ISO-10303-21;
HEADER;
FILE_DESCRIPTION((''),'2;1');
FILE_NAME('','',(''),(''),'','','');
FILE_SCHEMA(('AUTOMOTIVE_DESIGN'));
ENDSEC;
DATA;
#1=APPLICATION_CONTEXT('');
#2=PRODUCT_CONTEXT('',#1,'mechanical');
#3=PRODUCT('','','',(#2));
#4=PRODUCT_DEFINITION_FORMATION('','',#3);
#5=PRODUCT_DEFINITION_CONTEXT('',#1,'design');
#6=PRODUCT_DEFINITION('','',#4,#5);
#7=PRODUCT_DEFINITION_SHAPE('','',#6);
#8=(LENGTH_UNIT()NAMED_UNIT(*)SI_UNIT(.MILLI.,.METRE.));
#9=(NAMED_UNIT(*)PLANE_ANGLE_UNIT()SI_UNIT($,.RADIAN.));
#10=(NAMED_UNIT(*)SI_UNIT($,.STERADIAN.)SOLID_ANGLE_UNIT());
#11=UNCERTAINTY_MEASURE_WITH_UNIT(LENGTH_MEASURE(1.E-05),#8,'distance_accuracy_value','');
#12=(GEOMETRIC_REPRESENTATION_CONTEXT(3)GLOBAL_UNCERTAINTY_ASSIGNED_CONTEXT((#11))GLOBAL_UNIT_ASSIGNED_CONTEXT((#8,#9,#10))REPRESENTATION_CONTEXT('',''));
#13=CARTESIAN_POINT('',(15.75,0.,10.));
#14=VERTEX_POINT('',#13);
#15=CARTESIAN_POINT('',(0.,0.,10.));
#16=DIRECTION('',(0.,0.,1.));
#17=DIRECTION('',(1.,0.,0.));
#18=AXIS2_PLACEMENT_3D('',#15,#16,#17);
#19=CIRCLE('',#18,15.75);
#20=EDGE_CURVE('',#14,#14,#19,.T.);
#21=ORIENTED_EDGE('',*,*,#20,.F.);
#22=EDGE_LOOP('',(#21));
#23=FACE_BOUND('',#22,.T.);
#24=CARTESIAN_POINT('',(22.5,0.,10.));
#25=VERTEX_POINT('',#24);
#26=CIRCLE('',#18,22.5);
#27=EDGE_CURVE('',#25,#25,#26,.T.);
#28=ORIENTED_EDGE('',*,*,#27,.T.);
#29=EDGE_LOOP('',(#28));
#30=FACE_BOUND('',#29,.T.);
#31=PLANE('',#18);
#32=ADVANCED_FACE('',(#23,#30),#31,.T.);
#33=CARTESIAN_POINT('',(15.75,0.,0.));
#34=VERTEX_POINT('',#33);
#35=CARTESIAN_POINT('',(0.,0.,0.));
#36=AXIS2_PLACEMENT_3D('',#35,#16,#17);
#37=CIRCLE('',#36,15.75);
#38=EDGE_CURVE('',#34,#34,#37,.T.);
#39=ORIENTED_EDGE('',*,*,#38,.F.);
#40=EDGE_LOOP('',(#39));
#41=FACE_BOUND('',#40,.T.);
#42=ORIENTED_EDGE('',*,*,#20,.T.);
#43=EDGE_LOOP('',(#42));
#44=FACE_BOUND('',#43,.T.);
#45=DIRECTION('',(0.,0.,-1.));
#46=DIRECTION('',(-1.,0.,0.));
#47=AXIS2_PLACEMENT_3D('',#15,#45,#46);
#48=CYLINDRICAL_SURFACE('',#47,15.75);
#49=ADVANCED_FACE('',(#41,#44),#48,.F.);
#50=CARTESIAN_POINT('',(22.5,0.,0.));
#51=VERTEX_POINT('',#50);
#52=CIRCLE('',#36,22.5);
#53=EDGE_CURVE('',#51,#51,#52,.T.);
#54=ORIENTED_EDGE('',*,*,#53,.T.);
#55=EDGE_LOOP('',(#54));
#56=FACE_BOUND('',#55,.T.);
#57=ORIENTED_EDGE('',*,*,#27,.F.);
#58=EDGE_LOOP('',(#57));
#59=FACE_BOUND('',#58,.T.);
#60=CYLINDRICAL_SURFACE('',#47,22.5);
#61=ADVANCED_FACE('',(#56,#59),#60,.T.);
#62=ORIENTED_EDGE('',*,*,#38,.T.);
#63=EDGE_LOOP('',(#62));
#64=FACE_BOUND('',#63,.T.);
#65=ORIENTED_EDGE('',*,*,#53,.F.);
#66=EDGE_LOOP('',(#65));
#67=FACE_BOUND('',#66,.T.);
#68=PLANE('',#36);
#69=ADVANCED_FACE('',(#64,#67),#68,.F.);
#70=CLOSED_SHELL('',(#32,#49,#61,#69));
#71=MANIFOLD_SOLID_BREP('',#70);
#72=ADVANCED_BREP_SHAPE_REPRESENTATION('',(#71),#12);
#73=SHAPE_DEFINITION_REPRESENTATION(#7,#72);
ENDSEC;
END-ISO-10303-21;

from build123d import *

# Parameters (mm, degrees)
SKETCH_1_R      = 22.5
SKETCH_1_R_2    = 15.75
EXTRUDE_1_DEPTH = 10


with BuildPart() as part:
    # Эскиз1 → Вытянуть1 (new body)
    with BuildSketch(Plane.XY):
        Circle(SKETCH_1_R)
        Circle(SKETCH_1_R_2, mode=Mode.SUBTRACT)
    extrude(amount=EXTRUDE_1_DEPTH)


solid = part.part
